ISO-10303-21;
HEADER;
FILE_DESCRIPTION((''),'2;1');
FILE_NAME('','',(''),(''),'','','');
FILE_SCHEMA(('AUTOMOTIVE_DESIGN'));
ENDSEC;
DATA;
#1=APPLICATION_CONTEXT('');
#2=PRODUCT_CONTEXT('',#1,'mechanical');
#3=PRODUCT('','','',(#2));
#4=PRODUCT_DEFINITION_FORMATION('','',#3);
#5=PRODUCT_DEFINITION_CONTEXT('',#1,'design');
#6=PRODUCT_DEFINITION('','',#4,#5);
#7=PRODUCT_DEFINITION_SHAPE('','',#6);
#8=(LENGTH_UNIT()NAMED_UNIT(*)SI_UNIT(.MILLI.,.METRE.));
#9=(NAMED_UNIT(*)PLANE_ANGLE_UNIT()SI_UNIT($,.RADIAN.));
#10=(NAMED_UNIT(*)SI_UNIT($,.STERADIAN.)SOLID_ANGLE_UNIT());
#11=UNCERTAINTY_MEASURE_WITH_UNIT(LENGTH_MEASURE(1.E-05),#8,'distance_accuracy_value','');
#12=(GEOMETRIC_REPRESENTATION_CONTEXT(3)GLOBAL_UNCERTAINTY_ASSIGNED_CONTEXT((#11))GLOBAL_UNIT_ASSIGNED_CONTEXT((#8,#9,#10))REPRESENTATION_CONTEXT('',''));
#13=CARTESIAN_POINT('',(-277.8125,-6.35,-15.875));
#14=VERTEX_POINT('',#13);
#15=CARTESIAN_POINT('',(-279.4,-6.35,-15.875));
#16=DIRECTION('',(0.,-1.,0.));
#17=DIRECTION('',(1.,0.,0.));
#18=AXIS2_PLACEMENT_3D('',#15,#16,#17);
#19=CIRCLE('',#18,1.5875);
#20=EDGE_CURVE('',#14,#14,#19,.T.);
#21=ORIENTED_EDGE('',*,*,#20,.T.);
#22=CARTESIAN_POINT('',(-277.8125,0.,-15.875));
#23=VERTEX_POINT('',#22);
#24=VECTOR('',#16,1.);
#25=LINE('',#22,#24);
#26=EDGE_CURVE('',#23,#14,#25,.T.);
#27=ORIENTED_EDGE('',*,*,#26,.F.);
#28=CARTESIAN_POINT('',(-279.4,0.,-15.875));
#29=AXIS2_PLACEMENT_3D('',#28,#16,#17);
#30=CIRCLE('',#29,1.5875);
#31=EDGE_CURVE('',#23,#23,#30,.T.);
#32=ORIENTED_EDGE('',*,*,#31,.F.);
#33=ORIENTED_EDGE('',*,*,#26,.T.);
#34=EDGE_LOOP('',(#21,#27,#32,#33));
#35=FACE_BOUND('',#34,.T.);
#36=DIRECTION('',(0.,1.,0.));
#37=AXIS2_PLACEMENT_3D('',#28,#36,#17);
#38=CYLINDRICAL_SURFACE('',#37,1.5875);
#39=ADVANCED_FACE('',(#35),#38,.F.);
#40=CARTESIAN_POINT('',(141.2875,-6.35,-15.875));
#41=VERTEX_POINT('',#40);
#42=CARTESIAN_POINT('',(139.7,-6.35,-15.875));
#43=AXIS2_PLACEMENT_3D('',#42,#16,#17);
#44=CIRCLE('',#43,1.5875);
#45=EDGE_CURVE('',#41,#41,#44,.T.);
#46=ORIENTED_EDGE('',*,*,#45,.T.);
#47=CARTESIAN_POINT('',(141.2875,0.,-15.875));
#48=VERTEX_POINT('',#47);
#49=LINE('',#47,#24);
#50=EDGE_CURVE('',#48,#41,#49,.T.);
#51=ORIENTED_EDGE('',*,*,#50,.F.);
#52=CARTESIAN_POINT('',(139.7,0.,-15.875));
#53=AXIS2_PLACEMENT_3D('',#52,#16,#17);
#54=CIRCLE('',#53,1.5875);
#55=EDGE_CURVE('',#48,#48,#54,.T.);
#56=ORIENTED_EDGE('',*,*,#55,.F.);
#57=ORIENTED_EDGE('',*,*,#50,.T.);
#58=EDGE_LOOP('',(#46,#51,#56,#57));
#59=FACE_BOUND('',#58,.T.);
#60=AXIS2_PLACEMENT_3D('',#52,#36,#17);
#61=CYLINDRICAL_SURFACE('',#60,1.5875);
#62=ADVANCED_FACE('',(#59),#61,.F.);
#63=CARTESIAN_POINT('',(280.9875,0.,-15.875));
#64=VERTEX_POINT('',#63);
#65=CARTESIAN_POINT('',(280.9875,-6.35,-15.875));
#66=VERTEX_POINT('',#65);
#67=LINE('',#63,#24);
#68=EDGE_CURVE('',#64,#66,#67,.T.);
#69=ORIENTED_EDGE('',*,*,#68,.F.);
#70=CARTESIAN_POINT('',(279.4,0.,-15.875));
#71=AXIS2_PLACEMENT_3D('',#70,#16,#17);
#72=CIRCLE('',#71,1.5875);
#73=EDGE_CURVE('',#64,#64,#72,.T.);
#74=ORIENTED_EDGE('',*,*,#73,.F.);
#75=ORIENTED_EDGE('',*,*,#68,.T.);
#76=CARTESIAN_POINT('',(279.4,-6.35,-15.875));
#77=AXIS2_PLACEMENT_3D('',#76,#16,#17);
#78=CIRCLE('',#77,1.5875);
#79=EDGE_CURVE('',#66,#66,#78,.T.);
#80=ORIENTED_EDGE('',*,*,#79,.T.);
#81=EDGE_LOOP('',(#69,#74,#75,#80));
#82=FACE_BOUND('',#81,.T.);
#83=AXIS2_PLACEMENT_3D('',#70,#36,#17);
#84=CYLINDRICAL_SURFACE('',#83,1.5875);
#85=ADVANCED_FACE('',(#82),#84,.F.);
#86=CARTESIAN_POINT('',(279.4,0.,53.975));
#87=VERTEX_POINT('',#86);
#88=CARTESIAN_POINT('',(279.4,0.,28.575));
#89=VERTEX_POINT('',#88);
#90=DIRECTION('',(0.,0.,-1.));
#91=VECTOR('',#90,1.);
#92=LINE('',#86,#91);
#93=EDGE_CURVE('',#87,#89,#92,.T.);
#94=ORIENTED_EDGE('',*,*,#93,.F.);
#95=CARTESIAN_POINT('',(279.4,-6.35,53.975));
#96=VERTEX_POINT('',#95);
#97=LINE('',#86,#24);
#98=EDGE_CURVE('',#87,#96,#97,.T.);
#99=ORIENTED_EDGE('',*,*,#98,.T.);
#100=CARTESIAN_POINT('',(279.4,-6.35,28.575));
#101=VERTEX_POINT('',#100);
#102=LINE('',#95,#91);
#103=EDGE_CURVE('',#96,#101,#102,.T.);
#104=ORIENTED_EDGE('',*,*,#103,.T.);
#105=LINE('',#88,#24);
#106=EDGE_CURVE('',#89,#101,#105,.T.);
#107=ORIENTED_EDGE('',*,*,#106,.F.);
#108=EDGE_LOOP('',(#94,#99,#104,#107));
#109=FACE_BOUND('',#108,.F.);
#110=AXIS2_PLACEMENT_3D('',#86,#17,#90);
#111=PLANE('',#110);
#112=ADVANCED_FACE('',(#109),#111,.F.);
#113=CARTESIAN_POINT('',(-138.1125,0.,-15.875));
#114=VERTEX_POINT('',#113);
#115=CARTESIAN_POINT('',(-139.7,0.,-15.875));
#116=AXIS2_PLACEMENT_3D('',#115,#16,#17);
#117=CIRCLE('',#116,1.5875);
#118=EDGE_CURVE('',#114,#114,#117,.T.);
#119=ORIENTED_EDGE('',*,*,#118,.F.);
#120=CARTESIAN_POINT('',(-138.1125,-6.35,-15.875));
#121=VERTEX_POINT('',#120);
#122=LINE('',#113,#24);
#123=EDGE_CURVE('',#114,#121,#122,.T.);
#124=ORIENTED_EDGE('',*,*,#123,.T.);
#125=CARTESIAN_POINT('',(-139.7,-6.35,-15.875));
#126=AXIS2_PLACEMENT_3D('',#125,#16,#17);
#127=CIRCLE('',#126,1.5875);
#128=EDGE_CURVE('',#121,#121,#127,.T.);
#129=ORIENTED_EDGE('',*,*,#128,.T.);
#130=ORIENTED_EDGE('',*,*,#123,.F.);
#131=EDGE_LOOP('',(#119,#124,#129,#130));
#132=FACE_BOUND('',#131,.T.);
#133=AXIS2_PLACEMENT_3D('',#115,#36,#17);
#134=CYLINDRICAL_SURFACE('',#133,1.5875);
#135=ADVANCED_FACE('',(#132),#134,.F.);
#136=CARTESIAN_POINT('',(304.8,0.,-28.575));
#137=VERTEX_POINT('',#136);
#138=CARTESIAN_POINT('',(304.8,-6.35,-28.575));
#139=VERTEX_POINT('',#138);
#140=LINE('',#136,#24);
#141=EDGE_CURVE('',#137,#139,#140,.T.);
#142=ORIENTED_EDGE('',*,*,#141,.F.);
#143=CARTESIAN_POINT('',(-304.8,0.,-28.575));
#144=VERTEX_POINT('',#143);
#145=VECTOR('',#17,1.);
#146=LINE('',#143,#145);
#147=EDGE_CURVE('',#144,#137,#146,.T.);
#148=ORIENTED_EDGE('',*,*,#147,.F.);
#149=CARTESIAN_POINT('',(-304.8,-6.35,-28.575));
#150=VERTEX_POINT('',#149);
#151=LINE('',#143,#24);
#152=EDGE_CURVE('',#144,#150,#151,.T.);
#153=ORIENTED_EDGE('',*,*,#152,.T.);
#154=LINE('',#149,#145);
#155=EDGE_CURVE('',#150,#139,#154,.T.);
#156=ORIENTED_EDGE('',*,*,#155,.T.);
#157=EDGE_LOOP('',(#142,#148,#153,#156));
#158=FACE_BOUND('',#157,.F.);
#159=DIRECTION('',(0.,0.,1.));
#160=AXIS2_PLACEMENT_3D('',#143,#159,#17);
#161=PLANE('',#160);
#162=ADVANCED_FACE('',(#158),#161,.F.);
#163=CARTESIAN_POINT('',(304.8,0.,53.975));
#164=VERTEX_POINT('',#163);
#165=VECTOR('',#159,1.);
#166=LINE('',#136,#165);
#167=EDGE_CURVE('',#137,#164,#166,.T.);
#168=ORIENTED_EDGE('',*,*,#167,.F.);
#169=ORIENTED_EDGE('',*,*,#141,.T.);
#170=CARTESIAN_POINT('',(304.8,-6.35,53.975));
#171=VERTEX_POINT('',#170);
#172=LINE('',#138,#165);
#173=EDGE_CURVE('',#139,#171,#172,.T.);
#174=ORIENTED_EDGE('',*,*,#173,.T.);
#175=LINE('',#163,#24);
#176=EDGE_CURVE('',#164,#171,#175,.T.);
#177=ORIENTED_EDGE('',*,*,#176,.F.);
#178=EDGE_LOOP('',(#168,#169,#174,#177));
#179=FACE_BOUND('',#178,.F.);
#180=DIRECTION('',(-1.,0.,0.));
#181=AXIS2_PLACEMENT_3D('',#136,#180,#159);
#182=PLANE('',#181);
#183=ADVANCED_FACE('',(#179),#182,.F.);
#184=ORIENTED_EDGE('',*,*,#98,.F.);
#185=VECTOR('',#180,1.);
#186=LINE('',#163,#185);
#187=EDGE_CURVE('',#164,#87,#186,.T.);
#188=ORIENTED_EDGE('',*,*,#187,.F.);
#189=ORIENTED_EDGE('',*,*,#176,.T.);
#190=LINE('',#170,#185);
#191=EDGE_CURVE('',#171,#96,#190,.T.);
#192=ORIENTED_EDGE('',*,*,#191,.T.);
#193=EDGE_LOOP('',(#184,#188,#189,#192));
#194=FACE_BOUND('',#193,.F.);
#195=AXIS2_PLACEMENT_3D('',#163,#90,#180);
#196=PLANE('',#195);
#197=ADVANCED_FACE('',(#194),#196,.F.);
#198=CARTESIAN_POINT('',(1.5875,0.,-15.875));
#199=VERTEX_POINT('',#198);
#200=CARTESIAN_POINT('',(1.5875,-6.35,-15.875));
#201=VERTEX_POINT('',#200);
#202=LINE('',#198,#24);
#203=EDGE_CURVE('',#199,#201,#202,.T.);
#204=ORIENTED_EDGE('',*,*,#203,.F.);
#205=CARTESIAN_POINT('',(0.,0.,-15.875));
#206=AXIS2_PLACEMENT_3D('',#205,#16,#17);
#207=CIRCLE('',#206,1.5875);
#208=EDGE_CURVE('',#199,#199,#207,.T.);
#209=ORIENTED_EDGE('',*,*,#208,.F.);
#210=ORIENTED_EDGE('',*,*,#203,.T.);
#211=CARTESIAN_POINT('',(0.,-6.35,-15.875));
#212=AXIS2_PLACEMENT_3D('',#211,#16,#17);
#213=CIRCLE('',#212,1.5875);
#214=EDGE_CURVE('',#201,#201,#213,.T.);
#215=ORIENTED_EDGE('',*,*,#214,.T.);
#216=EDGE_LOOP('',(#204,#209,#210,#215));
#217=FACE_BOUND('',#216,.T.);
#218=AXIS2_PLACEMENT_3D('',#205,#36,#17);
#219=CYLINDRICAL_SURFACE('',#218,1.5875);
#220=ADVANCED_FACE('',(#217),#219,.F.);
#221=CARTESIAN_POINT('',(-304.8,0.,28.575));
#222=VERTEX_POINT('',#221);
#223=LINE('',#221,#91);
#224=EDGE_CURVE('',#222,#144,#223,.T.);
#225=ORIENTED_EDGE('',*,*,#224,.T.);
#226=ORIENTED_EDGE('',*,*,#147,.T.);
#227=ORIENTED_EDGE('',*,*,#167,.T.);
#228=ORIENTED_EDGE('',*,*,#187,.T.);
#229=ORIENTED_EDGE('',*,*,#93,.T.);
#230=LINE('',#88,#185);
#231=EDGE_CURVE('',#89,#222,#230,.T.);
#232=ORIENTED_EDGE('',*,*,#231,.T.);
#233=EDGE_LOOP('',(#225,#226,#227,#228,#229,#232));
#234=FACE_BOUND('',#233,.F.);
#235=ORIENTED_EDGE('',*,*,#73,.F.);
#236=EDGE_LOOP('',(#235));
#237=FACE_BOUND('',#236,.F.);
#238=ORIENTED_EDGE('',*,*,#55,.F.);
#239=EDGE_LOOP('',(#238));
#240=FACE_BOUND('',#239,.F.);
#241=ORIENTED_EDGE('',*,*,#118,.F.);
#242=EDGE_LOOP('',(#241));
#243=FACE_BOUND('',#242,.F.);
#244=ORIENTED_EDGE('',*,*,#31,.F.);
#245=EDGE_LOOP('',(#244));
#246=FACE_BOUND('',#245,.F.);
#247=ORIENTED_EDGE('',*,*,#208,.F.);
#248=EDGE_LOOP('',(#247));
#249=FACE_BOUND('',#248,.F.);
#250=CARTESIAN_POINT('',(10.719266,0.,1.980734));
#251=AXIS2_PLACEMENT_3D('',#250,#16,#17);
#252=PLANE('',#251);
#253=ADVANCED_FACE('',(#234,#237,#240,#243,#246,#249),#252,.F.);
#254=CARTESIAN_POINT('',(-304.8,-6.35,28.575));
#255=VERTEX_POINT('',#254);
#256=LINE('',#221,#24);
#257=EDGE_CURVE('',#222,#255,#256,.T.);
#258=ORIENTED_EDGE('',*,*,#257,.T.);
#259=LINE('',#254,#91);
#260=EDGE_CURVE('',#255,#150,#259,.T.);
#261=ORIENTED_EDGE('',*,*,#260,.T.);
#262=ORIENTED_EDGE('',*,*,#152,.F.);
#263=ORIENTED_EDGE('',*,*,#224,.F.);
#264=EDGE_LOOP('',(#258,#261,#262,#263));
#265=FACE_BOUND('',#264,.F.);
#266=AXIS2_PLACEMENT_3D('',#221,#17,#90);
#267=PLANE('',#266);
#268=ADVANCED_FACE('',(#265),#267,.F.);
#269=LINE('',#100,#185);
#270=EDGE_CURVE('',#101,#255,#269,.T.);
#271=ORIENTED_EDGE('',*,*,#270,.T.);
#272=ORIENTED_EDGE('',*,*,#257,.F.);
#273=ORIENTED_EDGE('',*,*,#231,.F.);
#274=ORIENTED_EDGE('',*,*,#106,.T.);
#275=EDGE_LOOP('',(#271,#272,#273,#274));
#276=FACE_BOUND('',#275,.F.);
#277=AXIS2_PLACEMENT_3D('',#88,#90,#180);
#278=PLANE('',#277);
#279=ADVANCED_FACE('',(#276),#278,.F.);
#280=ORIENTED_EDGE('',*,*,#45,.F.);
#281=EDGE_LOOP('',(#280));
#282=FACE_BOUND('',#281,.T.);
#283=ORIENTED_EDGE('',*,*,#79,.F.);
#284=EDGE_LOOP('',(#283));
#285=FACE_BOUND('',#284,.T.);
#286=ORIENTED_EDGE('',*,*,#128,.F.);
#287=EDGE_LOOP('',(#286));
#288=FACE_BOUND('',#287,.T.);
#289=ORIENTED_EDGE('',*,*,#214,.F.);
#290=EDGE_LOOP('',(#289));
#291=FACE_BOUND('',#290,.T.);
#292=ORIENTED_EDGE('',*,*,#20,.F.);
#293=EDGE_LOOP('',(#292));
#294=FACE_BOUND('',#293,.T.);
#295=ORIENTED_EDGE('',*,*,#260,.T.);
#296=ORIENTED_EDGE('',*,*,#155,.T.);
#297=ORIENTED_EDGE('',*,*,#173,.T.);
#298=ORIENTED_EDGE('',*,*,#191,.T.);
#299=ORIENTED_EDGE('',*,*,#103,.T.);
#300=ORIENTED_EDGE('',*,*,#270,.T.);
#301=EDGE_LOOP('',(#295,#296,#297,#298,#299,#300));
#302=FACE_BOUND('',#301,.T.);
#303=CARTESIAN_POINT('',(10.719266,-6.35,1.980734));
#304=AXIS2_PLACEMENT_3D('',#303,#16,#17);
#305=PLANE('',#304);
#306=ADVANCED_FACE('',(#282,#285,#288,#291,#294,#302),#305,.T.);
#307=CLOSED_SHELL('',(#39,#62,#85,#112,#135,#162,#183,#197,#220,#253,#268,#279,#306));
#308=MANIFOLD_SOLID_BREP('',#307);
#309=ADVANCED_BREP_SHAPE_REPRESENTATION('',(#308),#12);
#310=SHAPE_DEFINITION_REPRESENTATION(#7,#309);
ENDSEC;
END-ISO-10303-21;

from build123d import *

# Parameters (mm, degrees)
F0_R     = 1.5875
F1_DEPTH = 6.35


with BuildPart() as f1:
    # F0 (on Front) → F1 (new body)
    with BuildSketch(Plane.XZ):
        Polygon((-304.8, -28.575), (304.8, -28.575), (304.8, 28.575), (304.8, 53.975), (279.4, 53.975), (279.4, 28.575), (-304.8, 28.575), align=None)
        with Locations((-279.4, -15.875)):
            Circle(F0_R, mode=Mode.SUBTRACT)
        with Locations((-139.7, -15.875)):
            Circle(F0_R, mode=Mode.SUBTRACT)
        with Locations((0, -15.875)):
            Circle(F0_R, mode=Mode.SUBTRACT)
        with Locations((139.7, -15.875)):
            Circle(F0_R, mode=Mode.SUBTRACT)
        with Locations((279.4, -15.875)):
            Circle(F0_R, mode=Mode.SUBTRACT)
    extrude(amount=F1_DEPTH)


solid = f1.part
